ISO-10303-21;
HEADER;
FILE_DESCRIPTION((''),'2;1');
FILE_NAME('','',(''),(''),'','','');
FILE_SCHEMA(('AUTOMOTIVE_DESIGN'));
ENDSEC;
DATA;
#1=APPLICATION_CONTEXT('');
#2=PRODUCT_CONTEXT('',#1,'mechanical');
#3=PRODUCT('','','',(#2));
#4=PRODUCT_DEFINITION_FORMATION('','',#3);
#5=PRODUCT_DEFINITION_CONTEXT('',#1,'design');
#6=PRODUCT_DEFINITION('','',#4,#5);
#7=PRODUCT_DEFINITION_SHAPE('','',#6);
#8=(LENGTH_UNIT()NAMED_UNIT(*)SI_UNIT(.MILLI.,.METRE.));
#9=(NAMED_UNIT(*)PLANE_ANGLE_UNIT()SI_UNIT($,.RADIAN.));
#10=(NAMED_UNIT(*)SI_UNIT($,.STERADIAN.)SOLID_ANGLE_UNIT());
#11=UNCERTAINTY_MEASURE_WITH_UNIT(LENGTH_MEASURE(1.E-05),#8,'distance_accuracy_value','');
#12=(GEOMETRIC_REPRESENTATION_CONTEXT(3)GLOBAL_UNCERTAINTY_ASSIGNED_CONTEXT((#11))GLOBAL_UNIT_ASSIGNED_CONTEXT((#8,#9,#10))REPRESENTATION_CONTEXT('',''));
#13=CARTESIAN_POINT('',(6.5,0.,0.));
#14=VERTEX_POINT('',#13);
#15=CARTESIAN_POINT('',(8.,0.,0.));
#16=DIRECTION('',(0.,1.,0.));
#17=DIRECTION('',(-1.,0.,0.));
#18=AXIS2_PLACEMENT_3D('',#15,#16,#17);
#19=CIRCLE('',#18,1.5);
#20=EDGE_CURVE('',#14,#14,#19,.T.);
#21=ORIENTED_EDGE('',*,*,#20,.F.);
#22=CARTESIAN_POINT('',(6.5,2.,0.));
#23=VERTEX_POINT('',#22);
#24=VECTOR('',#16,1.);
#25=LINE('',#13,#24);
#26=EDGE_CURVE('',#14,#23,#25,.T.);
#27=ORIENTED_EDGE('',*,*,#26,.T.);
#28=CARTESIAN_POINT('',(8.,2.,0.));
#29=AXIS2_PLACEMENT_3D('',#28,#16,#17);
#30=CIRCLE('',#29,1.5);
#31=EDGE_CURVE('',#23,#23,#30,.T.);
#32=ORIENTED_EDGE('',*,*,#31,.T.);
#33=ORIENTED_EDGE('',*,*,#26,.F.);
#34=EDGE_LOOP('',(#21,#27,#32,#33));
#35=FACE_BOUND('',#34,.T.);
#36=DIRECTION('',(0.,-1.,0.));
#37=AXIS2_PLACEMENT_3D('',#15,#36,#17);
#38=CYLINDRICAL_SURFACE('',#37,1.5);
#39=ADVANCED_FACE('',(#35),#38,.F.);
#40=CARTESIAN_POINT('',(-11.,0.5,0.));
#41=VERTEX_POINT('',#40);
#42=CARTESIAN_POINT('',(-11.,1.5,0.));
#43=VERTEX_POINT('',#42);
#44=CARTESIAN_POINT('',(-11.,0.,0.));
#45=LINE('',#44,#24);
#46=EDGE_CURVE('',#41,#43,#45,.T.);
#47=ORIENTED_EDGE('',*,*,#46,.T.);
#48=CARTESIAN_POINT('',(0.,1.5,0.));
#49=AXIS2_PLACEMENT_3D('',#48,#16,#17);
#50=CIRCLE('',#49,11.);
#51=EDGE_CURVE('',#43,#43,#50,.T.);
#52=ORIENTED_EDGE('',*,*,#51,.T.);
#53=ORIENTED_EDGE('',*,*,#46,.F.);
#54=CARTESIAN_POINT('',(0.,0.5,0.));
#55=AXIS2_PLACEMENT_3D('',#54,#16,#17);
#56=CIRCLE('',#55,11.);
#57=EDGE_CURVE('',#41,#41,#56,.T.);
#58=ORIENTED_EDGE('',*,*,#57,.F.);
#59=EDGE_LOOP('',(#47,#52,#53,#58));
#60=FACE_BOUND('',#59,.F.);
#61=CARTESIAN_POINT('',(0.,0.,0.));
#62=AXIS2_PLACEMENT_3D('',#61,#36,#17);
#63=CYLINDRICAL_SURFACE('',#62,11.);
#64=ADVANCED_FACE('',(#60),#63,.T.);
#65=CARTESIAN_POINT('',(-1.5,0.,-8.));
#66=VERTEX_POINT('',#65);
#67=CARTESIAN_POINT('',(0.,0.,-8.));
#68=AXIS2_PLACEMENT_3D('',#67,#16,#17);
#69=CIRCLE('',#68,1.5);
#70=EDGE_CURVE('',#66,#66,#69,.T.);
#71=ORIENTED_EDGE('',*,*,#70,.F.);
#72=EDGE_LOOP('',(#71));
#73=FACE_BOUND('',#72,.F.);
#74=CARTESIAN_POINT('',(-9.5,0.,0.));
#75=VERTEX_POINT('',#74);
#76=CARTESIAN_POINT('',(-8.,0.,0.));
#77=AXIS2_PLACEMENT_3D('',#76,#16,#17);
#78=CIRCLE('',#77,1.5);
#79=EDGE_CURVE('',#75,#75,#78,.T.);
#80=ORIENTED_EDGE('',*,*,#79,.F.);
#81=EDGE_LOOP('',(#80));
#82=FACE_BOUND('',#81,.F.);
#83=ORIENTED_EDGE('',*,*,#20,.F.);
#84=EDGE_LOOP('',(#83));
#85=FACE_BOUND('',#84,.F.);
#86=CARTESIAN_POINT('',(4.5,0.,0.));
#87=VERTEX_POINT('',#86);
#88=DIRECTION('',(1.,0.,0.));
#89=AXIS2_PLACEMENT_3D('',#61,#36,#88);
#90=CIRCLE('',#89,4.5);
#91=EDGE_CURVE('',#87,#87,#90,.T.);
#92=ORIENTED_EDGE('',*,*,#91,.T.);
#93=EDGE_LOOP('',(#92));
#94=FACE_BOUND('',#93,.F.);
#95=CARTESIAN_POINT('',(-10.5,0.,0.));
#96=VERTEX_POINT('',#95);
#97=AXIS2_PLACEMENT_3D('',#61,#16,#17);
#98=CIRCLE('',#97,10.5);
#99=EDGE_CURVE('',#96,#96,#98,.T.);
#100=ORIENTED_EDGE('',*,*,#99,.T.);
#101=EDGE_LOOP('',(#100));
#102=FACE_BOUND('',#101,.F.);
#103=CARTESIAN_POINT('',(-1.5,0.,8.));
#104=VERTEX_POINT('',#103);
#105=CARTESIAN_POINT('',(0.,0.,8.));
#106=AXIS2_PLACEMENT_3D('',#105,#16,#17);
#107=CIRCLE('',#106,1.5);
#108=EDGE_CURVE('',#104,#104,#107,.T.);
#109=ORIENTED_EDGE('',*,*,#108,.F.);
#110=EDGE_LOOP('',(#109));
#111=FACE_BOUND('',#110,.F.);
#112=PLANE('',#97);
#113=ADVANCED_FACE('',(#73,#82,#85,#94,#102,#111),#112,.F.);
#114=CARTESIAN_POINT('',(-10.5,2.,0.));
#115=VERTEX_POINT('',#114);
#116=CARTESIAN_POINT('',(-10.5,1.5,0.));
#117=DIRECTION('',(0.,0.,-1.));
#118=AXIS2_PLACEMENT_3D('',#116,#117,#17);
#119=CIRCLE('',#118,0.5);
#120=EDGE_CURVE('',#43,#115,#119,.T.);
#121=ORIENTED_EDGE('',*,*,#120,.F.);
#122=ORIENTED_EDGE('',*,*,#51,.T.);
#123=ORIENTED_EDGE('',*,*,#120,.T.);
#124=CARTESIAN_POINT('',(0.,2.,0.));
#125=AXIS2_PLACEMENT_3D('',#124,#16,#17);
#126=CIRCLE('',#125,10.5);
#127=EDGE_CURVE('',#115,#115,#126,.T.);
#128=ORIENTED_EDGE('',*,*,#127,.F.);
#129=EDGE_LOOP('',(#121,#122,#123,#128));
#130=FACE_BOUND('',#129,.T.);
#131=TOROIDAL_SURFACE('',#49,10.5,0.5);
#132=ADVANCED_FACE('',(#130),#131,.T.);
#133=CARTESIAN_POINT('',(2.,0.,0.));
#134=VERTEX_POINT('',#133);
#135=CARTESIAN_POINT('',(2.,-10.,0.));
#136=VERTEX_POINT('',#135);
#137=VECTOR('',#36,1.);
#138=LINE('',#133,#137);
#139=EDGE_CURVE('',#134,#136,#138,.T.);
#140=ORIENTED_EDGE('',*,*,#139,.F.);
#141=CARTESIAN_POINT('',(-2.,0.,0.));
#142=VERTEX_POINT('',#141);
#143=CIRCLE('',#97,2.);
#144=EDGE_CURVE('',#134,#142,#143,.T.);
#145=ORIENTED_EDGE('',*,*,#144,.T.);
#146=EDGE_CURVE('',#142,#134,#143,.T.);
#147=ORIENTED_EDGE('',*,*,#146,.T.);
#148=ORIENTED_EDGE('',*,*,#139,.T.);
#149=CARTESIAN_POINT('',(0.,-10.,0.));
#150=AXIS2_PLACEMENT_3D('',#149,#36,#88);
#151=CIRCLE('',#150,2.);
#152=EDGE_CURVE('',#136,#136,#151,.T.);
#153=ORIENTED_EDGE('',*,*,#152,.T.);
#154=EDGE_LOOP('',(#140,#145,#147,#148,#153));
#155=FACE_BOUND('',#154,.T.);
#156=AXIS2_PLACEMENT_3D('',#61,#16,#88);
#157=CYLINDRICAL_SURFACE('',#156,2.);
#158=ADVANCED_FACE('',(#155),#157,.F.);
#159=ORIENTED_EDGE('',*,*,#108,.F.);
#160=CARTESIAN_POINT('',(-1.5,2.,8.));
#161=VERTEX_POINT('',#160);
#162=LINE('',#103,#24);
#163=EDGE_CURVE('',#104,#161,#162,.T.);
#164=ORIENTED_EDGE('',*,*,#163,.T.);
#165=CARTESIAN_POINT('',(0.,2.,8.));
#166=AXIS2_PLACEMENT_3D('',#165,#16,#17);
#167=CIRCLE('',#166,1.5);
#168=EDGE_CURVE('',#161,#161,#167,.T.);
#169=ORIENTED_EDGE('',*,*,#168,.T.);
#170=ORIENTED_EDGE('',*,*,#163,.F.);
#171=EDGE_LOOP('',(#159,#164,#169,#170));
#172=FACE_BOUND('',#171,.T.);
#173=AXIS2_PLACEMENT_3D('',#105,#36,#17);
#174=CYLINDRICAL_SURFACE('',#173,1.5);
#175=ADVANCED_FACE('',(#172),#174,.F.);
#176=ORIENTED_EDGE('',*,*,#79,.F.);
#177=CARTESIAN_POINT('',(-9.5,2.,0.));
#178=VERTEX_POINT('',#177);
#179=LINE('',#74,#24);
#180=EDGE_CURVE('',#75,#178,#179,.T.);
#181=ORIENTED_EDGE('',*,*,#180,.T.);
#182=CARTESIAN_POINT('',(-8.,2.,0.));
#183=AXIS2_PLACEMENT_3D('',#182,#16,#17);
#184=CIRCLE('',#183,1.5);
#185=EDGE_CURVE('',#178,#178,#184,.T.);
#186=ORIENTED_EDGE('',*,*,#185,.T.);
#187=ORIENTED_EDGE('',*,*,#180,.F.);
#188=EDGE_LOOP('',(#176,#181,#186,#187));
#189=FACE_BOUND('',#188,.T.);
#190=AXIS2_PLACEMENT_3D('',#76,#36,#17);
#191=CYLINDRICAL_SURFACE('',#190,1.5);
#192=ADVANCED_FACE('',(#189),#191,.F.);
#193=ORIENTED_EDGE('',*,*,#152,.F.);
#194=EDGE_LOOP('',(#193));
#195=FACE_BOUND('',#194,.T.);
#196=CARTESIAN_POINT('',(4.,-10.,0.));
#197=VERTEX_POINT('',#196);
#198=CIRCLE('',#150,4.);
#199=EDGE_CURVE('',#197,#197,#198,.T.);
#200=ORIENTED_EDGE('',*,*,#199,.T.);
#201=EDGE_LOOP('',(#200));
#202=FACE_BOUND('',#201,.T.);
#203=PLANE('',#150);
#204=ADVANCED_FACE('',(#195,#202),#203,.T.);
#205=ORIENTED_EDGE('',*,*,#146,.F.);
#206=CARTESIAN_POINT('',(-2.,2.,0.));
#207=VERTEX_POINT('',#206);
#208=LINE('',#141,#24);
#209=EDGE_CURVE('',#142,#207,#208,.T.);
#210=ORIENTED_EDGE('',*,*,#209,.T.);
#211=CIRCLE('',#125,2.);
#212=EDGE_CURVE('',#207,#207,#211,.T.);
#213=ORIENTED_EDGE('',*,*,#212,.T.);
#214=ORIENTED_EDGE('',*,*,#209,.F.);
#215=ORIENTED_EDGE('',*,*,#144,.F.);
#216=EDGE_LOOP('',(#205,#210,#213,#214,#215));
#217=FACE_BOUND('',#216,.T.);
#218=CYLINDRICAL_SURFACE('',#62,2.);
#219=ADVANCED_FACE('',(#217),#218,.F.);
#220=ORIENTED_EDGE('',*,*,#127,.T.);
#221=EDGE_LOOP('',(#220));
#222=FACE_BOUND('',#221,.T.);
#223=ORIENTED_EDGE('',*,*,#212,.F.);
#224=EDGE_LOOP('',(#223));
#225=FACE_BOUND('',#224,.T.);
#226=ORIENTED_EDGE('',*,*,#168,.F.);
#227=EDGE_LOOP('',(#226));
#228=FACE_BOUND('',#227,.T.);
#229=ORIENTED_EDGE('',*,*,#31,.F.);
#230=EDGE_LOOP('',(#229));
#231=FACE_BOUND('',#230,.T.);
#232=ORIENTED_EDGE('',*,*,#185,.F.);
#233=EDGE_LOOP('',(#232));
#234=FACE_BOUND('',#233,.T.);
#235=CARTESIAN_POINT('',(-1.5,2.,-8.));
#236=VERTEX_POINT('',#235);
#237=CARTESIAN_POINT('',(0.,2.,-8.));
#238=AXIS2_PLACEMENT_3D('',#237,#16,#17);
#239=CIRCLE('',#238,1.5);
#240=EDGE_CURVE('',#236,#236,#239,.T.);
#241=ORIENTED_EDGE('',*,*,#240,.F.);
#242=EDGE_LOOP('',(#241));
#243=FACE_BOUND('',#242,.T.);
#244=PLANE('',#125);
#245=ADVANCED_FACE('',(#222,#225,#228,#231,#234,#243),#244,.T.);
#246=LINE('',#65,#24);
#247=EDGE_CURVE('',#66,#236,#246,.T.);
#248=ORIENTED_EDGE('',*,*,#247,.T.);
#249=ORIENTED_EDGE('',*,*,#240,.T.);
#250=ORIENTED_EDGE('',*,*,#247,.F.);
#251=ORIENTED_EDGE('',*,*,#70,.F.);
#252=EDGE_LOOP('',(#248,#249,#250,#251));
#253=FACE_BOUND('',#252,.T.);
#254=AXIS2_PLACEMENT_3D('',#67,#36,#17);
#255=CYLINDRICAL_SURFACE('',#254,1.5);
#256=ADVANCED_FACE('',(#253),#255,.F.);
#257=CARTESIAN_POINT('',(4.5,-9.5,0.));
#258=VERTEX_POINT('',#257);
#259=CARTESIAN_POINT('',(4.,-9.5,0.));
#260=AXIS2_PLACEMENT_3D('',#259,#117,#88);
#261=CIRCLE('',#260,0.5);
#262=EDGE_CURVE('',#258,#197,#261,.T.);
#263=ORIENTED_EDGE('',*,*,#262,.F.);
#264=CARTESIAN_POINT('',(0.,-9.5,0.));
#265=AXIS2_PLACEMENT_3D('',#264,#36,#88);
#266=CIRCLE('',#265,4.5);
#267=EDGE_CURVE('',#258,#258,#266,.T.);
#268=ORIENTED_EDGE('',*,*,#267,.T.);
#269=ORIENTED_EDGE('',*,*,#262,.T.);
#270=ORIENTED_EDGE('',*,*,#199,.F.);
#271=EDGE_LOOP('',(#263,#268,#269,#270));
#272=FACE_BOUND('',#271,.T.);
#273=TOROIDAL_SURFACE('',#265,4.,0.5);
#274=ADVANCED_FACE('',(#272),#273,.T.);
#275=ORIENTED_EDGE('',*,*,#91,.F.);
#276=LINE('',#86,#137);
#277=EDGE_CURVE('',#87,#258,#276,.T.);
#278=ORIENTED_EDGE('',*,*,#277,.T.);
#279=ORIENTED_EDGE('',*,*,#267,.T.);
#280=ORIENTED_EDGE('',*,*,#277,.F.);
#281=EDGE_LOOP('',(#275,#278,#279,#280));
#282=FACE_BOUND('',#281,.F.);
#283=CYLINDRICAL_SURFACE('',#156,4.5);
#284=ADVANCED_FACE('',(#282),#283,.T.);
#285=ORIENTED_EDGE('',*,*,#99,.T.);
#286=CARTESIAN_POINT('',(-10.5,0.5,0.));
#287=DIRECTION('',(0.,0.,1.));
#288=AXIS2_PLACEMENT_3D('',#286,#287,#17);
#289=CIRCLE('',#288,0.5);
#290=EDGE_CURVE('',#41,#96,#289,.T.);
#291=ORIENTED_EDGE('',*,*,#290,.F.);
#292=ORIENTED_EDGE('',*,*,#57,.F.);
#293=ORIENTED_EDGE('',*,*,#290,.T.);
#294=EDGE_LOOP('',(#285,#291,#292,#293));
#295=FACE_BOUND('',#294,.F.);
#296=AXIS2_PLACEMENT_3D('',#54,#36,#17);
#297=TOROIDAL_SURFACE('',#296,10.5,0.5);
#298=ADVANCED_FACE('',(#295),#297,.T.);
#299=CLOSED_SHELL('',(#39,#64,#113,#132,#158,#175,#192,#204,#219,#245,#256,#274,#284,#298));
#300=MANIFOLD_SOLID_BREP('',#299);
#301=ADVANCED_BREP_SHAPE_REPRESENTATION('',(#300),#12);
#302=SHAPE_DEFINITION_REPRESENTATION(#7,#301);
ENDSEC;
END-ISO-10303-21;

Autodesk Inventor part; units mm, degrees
ref_plane "YZ Plane" through (0, 0, 0) normal (1, 0, 0) x (0, 1, 0)
ref_plane "XZ Plane" through (0, 0, 0) normal (0, 1, 0) x (-1, 0, 0)
ref_plane "XY Plane" through (0, 0, 0) normal (0, 0, 1) x (1, 0, 0)
sketch "Sketch1" plane through (0, 0, 0) normal (0, 1, 0) x (-1, 0, 0)
  circle A0 centre (0, 0) radius 11
  circle A1 centre (0, 0) radius 2
  circle A2 centre (8, 0) radius 1.5
  circle A3 centre (0, 8) radius 1.5
  circle A4 centre (-8, 0) radius 1.5
  circle A5 centre (0, -8) radius 1.5
  dimension "d0" = 22
  dimension "d1" = 4
  dimension "d2" = 3
  dimension "d3" = 8
  dimension "d6" = 360
extrude "Extrusion1" add sketch "Sketch1" along normal blind 2
fillet "Fillet1" radius 0.5 2 edges at (11, 2, 0) (11, 0, 0)
sketch "Sketch2" plane through (0, 0, 0) normal (0, -1, 0) x (1, 0, 0)
  circle A0 centre (0, 0) radius 2 projected
  circle A1 centre (0, 0) radius 4.5
  dimension "d11" = 9
extrude "Extrusion2" add sketch "Sketch2" along normal blind 10
fillet "Fillet2" radius 0.5 1 edges at (-4.5, -10, 0)
properties part number "WH-Coupling-4mm"
